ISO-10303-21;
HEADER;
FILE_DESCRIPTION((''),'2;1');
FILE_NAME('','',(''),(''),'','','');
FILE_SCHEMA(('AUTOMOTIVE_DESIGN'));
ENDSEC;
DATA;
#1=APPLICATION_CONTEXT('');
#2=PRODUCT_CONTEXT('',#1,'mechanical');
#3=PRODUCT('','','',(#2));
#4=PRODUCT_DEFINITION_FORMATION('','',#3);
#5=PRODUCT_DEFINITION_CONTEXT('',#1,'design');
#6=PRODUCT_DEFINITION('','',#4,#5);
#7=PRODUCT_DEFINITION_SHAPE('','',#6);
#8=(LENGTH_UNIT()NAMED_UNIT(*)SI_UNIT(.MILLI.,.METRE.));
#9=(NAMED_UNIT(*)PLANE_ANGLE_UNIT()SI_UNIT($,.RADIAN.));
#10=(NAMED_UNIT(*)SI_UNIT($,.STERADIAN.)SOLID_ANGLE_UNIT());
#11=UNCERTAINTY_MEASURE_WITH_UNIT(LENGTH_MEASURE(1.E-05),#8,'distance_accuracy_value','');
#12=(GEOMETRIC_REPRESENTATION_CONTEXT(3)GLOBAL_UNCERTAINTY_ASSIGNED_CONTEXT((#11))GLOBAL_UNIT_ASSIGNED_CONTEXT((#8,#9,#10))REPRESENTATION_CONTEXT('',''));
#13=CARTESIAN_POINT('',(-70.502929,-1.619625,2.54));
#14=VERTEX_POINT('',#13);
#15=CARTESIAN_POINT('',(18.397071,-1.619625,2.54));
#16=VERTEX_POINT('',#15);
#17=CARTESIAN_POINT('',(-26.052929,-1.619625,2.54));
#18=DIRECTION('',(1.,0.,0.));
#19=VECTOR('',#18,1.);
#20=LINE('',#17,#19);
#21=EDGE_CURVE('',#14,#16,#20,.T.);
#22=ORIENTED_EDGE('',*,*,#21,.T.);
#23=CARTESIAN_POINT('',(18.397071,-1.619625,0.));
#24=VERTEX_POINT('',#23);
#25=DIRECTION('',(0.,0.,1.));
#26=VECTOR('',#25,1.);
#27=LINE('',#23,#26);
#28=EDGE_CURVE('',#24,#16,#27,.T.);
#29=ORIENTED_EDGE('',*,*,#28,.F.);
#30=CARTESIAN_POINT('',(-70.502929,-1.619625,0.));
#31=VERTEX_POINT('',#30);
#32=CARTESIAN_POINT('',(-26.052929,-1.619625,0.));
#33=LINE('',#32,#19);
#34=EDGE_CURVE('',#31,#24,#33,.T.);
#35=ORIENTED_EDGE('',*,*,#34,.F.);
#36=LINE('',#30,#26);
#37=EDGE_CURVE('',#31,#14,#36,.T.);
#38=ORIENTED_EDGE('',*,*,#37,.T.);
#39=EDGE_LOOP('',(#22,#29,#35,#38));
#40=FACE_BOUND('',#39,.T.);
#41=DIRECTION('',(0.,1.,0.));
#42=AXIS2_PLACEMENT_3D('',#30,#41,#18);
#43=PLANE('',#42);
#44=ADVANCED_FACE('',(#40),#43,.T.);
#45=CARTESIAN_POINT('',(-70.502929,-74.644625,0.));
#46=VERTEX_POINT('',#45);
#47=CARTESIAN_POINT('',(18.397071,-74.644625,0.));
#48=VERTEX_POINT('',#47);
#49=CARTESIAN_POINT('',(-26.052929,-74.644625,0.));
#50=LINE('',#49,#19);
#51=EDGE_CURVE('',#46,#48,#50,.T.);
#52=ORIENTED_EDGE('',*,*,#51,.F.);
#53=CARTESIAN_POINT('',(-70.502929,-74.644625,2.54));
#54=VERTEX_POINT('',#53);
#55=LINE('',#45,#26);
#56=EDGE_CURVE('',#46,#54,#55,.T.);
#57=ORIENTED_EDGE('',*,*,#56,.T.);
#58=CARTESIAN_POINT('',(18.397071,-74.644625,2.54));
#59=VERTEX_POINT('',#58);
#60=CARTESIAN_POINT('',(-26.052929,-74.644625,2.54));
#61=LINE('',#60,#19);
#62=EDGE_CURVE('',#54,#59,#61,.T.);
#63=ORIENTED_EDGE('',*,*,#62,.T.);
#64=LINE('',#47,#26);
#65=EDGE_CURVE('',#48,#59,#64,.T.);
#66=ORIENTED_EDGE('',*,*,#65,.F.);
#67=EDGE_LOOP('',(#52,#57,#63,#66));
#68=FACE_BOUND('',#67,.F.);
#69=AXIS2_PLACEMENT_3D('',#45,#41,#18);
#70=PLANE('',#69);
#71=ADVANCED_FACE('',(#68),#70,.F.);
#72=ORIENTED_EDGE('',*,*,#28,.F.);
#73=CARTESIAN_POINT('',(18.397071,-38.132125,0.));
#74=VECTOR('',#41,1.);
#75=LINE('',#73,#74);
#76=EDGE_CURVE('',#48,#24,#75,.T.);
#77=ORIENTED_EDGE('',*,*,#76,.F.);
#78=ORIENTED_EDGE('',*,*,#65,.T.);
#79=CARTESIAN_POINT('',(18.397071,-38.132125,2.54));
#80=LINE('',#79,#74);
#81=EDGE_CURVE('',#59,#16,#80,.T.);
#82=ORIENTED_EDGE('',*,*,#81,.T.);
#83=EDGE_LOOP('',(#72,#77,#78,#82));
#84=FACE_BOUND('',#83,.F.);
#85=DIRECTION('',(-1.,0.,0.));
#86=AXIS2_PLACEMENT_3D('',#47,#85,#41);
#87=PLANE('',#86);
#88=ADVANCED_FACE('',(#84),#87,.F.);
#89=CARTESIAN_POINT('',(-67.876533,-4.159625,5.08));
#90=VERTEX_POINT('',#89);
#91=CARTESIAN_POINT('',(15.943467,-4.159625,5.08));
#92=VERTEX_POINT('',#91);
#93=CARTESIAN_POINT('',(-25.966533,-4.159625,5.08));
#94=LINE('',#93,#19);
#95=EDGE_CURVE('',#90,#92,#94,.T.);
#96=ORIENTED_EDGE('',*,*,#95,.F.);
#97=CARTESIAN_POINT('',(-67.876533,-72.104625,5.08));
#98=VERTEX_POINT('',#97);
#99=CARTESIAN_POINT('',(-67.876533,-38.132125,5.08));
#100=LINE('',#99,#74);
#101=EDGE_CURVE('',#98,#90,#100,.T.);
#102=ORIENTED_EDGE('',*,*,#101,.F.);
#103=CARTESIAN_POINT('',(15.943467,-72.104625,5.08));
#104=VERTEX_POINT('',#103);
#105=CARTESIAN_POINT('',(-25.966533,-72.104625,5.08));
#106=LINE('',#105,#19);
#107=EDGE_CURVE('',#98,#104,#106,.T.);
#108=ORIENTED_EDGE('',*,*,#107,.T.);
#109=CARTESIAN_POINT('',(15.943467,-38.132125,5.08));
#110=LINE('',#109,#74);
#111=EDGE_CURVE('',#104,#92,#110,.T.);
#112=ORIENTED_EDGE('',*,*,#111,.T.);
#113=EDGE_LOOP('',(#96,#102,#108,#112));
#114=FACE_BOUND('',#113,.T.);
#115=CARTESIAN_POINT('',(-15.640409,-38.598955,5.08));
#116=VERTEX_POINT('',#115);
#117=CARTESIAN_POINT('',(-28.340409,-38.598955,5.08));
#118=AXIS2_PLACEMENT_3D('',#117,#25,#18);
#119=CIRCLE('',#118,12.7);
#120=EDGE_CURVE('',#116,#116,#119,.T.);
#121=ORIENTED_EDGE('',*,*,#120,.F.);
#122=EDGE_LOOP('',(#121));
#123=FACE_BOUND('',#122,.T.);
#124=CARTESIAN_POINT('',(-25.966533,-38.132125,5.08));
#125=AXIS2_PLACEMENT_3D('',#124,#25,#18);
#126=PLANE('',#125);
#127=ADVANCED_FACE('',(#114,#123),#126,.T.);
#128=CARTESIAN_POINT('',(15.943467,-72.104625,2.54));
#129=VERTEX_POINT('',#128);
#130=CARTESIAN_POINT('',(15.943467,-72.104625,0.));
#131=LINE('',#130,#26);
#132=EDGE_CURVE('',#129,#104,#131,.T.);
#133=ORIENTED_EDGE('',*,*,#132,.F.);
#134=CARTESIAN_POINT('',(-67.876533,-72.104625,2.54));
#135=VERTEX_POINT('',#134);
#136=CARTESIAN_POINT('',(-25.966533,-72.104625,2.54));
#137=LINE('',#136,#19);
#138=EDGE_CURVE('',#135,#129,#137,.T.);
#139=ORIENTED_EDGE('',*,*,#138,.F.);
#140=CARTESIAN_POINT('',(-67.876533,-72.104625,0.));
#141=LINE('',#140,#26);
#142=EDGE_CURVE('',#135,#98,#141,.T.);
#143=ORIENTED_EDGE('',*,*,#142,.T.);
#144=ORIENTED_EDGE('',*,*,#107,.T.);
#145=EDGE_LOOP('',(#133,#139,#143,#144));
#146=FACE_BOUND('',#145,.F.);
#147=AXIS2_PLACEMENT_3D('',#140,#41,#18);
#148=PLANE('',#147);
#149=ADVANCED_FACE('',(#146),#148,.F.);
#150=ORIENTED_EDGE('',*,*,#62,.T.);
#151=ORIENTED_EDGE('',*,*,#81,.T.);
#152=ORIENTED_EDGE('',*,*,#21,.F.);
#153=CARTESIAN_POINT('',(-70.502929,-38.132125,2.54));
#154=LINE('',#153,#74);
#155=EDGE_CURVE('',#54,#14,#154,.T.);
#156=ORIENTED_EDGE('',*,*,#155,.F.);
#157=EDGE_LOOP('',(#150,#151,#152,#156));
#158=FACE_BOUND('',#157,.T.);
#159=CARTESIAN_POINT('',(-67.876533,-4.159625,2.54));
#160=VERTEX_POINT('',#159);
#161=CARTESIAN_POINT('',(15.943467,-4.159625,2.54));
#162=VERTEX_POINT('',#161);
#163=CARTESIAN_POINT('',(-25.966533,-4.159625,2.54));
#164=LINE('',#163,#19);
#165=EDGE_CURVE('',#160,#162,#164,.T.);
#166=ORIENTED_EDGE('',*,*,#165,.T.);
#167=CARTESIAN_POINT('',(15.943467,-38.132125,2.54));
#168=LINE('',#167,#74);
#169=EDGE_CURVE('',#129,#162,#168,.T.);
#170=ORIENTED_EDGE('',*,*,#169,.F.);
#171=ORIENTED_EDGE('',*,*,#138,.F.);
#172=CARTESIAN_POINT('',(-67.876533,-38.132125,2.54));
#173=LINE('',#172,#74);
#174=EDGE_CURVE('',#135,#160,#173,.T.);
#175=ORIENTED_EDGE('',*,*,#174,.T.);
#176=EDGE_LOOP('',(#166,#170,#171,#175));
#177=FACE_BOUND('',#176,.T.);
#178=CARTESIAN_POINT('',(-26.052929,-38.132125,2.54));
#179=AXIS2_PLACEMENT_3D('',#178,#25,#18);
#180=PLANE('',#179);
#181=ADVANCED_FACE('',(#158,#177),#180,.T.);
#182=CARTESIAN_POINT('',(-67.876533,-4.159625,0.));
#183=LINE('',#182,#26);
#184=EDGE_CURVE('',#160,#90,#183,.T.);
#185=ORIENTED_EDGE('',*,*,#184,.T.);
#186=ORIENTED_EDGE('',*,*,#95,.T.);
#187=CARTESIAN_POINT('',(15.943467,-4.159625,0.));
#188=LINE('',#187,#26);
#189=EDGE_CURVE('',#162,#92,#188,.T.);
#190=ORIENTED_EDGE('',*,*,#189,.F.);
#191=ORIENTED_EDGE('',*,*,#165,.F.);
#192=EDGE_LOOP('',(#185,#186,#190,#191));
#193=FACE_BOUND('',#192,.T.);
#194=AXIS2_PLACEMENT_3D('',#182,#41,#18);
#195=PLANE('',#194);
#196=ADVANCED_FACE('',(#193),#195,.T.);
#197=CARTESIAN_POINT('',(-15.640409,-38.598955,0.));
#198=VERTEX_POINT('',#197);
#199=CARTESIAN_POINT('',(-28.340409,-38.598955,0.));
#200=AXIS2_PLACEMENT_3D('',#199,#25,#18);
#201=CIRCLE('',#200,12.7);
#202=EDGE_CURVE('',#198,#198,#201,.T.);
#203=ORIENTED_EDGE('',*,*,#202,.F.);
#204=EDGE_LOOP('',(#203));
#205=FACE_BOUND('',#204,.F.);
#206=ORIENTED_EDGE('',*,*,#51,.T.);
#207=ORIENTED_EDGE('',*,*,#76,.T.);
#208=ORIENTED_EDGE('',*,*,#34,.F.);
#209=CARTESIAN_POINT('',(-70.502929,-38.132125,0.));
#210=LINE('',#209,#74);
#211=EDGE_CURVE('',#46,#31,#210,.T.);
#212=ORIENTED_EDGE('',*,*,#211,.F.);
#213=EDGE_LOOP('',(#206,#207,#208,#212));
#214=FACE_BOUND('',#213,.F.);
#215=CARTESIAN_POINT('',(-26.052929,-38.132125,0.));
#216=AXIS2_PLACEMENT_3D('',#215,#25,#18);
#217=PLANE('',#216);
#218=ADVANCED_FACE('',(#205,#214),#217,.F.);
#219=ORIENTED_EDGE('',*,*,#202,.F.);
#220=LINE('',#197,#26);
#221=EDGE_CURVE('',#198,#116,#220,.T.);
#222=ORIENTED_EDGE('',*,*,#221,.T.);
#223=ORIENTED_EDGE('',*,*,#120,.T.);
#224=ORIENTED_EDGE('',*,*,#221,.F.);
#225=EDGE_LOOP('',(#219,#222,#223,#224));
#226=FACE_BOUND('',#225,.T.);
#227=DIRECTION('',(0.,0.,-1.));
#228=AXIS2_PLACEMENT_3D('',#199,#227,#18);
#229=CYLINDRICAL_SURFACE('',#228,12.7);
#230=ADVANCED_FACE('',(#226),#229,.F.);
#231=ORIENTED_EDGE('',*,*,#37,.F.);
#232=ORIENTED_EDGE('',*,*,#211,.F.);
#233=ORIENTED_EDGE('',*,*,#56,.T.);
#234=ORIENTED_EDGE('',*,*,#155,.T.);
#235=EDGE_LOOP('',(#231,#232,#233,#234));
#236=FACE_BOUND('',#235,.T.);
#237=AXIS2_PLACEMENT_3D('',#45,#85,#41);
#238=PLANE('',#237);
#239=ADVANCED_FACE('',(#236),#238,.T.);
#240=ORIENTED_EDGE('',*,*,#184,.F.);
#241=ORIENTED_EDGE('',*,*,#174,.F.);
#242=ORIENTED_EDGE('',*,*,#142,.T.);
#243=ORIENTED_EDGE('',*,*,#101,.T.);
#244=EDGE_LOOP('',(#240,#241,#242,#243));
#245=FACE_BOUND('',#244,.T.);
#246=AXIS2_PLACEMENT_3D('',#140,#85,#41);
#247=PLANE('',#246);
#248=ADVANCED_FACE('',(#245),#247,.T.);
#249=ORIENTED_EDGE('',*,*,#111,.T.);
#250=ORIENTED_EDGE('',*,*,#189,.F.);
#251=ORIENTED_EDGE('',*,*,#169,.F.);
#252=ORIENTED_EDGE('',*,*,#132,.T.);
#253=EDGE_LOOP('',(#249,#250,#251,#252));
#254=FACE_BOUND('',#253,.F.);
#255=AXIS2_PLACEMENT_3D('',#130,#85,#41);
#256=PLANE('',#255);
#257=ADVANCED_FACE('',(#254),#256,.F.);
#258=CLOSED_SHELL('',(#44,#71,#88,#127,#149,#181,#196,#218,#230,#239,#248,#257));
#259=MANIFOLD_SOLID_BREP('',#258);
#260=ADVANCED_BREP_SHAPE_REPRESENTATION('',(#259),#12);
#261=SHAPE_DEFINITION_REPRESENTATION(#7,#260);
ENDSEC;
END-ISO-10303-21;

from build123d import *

# Parameters (mm, degrees)
F0_W     = 88.9
F0_H     = 73.025
F0_W_2   = 83.82
F0_H_2   = 67.945
F1_DEPTH = 2.54
F0_R     = 12.7
F2_DEPTH = 5.08


with BuildPart() as f1:
    # F0 (on Top) → F1 (new body)
    with BuildSketch(Plane.XY):
        with Locations((-26.052929, -38.132125)):
            Rectangle(F0_W, F0_H)
        with Locations((-25.966533, -38.132125)):
            Rectangle(F0_W_2, F0_H_2, mode=Mode.SUBTRACT)
    extrude(amount=F1_DEPTH)

    # F0 (on Top) → F2 (join)
    with BuildSketch(Plane.XY):
        with Locations((-25.966533, -38.132125)):
            Rectangle(F0_W_2, F0_H_2)
        with Locations((-28.340409, -38.598955)):
            Circle(F0_R, mode=Mode.SUBTRACT)
    extrude(amount=F2_DEPTH)


solid = f1.part
